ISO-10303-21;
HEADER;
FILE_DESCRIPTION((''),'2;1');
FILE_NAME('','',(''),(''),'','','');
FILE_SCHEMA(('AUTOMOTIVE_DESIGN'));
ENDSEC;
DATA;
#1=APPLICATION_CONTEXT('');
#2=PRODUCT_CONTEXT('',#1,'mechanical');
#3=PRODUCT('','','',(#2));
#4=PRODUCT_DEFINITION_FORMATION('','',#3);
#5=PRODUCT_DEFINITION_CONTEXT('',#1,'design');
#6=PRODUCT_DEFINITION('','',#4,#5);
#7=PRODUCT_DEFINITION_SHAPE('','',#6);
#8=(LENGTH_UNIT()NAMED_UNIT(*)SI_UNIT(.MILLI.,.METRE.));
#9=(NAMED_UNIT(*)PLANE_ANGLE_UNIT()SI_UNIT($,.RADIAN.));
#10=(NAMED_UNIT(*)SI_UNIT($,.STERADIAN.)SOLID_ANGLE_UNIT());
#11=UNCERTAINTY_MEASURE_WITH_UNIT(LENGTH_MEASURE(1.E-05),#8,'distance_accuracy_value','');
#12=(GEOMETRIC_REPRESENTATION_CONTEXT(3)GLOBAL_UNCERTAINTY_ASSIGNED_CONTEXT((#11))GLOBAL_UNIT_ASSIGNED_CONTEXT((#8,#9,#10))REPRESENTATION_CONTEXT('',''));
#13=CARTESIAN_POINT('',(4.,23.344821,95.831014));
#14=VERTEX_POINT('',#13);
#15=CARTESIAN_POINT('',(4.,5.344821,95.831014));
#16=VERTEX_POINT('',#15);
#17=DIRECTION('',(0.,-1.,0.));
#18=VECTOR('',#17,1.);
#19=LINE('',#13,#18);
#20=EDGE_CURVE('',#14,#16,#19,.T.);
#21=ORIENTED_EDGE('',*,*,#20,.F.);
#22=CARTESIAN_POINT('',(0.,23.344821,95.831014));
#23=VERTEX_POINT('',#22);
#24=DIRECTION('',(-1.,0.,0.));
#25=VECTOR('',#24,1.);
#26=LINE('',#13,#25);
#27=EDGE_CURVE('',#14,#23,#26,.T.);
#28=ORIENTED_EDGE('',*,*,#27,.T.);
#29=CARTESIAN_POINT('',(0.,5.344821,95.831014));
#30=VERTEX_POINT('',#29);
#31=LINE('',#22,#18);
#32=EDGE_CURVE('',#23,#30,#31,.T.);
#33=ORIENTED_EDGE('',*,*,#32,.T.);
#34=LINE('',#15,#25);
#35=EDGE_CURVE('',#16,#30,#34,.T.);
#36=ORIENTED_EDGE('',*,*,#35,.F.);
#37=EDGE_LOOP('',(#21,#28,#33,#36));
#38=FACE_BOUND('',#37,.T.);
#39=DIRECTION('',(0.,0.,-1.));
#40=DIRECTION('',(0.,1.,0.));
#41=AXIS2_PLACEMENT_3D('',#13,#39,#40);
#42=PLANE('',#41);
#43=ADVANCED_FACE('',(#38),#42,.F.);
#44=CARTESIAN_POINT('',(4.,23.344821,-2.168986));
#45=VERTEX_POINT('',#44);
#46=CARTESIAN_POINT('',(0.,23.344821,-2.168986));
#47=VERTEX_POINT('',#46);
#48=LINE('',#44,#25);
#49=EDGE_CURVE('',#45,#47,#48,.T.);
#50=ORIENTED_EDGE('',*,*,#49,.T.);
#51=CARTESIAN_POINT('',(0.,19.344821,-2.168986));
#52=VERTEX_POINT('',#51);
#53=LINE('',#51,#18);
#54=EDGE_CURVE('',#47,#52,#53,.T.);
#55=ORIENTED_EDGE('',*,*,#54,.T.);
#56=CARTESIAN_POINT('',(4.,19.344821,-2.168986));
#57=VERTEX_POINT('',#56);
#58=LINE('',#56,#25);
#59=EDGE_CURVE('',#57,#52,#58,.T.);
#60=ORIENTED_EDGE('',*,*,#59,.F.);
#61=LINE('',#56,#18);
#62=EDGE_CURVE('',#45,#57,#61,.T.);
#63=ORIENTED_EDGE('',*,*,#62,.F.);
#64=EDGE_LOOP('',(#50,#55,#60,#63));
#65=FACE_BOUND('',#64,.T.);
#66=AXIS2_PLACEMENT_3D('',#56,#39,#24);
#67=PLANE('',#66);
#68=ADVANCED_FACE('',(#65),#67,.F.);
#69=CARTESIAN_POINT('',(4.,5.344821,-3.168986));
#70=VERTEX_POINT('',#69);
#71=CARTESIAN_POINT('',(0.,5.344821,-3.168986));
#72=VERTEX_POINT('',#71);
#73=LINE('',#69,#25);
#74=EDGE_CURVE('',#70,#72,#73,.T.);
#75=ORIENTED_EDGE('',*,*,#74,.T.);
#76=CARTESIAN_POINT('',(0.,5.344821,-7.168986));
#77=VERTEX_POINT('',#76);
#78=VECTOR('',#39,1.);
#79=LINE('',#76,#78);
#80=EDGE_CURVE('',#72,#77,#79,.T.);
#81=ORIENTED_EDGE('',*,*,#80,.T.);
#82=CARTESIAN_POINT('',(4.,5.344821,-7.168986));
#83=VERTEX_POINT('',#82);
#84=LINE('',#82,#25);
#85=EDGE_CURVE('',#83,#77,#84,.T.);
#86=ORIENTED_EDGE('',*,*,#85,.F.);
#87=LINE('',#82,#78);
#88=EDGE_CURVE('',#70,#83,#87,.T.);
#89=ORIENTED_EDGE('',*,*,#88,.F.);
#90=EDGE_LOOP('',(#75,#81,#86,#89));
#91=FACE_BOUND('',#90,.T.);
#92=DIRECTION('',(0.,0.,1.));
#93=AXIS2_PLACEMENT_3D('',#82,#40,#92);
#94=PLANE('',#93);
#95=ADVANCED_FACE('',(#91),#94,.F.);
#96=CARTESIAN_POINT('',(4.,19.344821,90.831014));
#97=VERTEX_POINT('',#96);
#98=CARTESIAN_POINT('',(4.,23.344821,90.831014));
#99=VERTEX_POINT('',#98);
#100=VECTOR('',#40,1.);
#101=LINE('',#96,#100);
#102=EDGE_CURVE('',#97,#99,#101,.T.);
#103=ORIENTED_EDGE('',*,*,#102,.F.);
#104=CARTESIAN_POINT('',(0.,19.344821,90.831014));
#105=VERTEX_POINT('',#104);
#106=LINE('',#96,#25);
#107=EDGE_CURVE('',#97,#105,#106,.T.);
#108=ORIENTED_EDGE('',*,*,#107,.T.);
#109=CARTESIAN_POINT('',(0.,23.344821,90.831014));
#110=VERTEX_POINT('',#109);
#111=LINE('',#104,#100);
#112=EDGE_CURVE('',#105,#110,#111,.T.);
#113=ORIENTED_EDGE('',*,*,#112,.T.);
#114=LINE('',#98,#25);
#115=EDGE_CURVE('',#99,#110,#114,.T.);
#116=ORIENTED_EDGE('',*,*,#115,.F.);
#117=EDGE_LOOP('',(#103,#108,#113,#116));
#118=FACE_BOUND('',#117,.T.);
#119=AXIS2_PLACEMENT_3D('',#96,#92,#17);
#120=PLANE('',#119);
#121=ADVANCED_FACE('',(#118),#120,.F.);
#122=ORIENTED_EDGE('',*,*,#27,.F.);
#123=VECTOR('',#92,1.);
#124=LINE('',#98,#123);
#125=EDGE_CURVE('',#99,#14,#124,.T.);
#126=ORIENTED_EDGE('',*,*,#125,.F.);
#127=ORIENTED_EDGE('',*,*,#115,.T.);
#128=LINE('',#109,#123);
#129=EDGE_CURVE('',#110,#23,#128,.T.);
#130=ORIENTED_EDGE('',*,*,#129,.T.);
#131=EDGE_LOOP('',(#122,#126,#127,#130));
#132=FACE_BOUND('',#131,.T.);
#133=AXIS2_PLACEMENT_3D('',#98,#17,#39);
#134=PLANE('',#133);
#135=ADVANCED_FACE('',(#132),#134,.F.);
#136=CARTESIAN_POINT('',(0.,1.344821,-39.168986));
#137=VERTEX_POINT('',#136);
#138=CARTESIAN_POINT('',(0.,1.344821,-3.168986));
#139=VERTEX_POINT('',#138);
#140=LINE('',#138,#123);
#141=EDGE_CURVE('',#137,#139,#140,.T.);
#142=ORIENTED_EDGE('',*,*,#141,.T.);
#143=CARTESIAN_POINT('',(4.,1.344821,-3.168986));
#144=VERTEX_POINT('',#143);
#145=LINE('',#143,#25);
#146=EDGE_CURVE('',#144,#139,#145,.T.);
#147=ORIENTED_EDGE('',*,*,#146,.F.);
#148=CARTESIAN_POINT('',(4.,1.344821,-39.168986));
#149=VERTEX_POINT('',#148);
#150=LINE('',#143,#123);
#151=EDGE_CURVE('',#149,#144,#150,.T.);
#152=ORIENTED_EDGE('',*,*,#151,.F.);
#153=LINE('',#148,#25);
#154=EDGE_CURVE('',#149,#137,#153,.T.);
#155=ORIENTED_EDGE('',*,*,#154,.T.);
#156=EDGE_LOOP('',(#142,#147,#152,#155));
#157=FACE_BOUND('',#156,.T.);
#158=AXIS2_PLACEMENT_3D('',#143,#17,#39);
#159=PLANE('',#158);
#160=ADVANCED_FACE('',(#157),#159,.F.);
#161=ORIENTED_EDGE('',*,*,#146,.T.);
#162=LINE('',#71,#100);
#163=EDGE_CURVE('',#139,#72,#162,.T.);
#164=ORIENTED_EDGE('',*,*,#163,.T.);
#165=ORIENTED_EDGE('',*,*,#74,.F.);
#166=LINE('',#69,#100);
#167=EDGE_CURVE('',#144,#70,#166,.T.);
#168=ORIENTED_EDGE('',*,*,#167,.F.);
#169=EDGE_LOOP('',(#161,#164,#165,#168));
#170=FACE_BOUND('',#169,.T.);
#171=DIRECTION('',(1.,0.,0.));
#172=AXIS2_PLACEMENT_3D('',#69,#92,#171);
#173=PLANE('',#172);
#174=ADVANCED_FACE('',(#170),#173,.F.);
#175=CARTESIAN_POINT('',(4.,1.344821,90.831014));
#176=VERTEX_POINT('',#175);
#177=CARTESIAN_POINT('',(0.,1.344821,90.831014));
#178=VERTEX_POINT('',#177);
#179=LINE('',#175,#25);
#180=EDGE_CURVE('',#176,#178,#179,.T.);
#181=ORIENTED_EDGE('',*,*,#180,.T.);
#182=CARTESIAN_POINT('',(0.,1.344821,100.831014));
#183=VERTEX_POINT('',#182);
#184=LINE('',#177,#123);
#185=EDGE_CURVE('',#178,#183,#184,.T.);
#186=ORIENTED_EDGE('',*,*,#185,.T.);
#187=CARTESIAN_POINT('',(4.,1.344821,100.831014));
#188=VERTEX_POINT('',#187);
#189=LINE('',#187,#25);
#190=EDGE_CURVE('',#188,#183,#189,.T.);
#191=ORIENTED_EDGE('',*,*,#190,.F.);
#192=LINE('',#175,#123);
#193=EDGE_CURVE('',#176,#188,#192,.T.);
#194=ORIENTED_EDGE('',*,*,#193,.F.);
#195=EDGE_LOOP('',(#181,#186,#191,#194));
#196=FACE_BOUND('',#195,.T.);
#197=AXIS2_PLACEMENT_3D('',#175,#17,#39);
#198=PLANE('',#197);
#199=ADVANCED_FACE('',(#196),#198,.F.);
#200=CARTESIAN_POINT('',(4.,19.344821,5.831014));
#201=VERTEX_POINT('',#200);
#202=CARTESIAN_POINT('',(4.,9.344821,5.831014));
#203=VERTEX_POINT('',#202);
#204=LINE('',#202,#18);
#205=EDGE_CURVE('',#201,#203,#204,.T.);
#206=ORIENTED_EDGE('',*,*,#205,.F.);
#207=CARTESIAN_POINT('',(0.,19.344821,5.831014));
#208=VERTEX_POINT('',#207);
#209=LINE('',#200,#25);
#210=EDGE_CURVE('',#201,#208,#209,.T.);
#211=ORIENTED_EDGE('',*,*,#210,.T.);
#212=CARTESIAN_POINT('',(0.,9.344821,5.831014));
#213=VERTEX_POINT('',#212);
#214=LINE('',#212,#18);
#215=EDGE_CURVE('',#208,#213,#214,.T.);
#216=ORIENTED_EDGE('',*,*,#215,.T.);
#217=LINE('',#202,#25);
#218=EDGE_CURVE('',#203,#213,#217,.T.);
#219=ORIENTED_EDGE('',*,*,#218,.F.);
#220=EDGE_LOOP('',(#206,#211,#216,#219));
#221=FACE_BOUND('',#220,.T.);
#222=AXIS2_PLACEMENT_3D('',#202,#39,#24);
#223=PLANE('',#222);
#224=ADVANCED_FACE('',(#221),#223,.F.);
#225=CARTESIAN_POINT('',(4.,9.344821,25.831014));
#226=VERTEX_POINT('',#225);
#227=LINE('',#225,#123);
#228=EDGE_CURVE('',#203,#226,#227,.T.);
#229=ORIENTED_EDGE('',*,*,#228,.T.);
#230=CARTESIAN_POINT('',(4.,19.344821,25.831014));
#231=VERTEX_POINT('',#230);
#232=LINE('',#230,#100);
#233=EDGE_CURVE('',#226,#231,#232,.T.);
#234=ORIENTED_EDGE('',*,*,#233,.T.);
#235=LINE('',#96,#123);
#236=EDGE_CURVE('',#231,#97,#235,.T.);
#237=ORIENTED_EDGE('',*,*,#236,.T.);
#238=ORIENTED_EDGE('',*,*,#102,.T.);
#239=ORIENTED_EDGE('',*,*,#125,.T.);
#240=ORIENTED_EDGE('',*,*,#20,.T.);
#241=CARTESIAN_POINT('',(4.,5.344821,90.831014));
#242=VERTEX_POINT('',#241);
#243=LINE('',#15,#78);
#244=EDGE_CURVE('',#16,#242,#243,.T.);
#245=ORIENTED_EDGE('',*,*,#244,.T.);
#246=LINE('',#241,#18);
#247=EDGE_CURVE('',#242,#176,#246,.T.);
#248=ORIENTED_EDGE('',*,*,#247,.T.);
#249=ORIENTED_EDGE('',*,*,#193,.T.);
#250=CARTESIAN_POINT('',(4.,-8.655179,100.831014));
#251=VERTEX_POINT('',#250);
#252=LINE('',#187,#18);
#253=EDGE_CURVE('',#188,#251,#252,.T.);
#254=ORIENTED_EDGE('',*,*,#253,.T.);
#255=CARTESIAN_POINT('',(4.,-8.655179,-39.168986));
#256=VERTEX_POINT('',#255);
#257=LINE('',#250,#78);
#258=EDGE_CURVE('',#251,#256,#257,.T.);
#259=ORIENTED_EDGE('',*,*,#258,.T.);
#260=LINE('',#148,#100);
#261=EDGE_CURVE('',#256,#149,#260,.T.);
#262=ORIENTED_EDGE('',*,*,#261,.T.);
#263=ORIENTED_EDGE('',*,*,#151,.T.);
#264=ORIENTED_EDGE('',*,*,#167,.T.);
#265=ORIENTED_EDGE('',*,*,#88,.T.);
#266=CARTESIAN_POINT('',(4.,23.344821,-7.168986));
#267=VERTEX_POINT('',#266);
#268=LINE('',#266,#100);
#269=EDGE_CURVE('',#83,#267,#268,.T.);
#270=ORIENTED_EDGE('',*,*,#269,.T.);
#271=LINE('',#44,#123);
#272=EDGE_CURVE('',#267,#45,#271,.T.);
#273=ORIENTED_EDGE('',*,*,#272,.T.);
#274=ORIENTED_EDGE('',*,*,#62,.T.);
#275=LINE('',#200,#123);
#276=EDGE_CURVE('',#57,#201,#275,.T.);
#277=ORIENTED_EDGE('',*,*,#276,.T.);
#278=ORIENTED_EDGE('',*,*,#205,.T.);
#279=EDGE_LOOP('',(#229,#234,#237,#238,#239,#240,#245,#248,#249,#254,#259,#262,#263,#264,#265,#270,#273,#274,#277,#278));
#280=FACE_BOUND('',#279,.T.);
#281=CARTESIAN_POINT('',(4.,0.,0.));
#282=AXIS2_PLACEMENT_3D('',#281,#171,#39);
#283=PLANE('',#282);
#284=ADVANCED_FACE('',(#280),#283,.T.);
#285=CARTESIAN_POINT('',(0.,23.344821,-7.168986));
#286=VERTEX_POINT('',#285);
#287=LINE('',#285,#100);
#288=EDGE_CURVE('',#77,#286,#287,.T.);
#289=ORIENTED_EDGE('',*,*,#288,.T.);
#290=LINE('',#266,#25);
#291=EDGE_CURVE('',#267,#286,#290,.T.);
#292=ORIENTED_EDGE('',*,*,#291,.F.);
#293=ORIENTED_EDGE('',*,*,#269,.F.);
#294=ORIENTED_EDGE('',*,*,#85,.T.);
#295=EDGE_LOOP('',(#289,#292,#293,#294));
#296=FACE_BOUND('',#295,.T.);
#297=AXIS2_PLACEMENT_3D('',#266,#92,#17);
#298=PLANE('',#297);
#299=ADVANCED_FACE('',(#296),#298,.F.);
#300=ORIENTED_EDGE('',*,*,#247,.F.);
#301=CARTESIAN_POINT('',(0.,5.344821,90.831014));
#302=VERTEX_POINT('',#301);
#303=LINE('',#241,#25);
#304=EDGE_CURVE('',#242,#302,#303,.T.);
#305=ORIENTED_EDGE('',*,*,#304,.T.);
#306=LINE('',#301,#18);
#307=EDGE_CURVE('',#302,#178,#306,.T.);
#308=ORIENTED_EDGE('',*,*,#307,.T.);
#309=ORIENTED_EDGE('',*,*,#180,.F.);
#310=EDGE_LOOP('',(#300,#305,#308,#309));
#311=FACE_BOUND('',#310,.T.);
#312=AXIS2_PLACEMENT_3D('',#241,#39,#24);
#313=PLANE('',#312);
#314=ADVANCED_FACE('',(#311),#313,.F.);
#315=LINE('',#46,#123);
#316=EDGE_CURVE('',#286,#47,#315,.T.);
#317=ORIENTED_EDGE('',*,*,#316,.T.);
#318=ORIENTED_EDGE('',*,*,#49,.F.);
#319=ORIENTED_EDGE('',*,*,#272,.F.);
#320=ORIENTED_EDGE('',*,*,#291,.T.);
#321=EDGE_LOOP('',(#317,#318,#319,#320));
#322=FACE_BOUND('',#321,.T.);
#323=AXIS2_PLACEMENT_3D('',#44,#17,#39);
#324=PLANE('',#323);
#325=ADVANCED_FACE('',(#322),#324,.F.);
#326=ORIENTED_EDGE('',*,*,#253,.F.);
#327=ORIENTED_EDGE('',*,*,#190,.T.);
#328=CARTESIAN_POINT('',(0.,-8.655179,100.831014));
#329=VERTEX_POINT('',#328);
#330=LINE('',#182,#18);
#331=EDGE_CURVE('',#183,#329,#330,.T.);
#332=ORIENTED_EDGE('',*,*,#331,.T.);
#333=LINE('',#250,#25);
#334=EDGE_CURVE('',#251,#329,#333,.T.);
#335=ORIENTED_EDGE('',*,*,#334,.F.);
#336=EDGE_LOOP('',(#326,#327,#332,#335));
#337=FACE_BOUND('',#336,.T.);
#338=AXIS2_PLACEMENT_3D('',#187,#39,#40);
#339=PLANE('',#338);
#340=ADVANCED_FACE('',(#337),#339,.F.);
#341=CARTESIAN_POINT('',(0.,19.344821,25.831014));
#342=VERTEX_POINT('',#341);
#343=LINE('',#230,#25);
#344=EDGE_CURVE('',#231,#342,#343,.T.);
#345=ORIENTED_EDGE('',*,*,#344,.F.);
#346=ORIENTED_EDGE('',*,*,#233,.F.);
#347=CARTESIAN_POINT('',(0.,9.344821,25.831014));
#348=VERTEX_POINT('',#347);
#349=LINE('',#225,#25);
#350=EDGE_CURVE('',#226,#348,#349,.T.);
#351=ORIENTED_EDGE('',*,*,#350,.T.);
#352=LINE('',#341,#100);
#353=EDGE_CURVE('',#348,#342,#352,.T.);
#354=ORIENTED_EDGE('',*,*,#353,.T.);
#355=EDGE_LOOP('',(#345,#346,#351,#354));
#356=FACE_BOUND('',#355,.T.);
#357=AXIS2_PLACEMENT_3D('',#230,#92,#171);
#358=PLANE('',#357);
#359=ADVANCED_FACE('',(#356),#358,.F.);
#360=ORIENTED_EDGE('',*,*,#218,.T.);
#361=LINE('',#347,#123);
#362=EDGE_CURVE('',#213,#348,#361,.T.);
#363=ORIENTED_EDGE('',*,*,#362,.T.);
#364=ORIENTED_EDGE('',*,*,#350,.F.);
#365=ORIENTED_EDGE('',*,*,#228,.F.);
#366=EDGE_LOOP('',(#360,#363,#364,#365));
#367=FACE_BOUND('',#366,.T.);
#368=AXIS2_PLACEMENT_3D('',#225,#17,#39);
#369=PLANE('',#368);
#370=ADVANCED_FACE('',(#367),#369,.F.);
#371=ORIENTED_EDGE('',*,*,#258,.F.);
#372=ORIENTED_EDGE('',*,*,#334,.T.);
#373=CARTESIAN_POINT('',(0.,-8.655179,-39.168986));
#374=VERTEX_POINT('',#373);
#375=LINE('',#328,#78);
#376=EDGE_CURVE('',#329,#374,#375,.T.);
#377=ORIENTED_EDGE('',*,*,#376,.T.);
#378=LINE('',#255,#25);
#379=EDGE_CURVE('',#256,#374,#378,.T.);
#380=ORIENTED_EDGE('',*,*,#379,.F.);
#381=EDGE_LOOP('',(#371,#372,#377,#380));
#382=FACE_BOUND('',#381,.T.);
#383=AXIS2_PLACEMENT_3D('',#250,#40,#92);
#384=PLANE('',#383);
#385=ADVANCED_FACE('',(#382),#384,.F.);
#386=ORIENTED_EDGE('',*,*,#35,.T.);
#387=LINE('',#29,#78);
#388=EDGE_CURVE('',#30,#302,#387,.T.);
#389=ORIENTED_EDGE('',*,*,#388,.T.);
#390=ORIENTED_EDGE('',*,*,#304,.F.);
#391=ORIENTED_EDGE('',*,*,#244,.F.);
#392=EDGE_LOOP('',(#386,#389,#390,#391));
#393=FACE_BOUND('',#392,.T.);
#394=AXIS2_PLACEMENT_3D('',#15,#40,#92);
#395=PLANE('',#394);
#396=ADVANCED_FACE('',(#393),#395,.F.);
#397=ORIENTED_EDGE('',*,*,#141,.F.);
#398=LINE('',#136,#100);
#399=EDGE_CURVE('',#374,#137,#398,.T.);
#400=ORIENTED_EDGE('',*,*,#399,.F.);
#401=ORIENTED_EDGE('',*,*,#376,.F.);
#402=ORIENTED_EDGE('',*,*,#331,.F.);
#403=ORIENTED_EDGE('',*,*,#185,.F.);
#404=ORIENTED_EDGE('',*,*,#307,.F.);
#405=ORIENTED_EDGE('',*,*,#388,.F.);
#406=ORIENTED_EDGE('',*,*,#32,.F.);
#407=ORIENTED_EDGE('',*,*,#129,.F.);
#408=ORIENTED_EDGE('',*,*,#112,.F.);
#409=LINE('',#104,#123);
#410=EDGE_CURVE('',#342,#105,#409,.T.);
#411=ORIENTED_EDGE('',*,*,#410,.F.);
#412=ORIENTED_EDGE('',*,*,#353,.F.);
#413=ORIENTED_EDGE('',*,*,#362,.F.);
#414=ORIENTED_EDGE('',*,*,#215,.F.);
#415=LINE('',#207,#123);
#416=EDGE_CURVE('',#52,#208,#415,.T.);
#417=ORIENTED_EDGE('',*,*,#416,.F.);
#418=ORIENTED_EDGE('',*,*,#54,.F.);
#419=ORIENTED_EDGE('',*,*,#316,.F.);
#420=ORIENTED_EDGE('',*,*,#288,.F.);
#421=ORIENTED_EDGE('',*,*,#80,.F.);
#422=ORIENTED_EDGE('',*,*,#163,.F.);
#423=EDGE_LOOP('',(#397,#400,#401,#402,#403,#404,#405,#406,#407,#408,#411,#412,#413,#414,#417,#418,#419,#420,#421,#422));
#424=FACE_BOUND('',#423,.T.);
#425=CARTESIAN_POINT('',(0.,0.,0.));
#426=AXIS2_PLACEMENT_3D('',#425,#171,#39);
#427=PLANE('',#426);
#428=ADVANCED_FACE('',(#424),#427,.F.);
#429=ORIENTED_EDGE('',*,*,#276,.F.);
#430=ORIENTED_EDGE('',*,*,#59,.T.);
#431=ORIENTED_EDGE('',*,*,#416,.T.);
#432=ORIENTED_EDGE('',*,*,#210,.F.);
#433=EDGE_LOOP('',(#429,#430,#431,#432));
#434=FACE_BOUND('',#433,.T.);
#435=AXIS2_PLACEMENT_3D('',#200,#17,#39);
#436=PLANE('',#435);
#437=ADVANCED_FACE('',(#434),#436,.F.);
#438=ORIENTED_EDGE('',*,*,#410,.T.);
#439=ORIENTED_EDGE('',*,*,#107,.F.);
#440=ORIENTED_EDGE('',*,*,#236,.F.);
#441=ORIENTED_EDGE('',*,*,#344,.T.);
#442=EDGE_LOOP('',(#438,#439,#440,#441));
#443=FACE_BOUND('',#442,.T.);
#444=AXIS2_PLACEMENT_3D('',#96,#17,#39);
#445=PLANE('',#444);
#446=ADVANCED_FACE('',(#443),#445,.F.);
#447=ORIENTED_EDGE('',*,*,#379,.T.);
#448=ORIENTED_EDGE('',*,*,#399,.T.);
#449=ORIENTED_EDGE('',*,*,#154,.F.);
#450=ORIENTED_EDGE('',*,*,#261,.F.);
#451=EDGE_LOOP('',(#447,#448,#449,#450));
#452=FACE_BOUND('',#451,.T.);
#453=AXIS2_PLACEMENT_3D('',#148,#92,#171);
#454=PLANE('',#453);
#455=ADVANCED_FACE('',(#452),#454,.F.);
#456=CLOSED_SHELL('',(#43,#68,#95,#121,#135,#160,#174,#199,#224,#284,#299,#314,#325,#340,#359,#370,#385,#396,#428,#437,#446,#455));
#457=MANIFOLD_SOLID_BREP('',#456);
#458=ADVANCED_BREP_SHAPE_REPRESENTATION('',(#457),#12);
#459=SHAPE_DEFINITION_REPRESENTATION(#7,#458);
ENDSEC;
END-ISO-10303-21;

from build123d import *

# Parameters (mm, degrees)
BOSS_EXTRUDE1_DEPTH = 4


with BuildPart() as part:
    # Sketch1 → Boss-Extrude1 (new body)
    with BuildSketch(Plane(origin=(0, 0, 0), x_dir=(0, 0, -1), z_dir=(1, 0, 0))):
        Polygon((-95.831013652, 23.344821468), (-95.831013652, 5.344821468), (-90.831013652, 5.344821468), (-90.831013652, 1.344821468), (-100.831013652, 1.344821468), (-100.831013652, -8.655178532), (39.168986348, -8.655178532), (39.168986348, 1.344821468), (3.168986348, 1.344821468), (3.168986348, 5.344821468), (7.168986348, 5.344821468), (7.168986348, 23.344821468), (2.168986348, 23.344821468), (2.168986348, 19.344821468), (-5.831013652, 19.344821468), (-5.831013652, 9.344821468), (-25.831013652, 9.344821468), (-25.831013652, 19.344821468), (-90.831013652, 19.344821468), (-90.831013652, 23.344821468), align=None)
    extrude(amount=BOSS_EXTRUDE1_DEPTH)


solid = part.part
